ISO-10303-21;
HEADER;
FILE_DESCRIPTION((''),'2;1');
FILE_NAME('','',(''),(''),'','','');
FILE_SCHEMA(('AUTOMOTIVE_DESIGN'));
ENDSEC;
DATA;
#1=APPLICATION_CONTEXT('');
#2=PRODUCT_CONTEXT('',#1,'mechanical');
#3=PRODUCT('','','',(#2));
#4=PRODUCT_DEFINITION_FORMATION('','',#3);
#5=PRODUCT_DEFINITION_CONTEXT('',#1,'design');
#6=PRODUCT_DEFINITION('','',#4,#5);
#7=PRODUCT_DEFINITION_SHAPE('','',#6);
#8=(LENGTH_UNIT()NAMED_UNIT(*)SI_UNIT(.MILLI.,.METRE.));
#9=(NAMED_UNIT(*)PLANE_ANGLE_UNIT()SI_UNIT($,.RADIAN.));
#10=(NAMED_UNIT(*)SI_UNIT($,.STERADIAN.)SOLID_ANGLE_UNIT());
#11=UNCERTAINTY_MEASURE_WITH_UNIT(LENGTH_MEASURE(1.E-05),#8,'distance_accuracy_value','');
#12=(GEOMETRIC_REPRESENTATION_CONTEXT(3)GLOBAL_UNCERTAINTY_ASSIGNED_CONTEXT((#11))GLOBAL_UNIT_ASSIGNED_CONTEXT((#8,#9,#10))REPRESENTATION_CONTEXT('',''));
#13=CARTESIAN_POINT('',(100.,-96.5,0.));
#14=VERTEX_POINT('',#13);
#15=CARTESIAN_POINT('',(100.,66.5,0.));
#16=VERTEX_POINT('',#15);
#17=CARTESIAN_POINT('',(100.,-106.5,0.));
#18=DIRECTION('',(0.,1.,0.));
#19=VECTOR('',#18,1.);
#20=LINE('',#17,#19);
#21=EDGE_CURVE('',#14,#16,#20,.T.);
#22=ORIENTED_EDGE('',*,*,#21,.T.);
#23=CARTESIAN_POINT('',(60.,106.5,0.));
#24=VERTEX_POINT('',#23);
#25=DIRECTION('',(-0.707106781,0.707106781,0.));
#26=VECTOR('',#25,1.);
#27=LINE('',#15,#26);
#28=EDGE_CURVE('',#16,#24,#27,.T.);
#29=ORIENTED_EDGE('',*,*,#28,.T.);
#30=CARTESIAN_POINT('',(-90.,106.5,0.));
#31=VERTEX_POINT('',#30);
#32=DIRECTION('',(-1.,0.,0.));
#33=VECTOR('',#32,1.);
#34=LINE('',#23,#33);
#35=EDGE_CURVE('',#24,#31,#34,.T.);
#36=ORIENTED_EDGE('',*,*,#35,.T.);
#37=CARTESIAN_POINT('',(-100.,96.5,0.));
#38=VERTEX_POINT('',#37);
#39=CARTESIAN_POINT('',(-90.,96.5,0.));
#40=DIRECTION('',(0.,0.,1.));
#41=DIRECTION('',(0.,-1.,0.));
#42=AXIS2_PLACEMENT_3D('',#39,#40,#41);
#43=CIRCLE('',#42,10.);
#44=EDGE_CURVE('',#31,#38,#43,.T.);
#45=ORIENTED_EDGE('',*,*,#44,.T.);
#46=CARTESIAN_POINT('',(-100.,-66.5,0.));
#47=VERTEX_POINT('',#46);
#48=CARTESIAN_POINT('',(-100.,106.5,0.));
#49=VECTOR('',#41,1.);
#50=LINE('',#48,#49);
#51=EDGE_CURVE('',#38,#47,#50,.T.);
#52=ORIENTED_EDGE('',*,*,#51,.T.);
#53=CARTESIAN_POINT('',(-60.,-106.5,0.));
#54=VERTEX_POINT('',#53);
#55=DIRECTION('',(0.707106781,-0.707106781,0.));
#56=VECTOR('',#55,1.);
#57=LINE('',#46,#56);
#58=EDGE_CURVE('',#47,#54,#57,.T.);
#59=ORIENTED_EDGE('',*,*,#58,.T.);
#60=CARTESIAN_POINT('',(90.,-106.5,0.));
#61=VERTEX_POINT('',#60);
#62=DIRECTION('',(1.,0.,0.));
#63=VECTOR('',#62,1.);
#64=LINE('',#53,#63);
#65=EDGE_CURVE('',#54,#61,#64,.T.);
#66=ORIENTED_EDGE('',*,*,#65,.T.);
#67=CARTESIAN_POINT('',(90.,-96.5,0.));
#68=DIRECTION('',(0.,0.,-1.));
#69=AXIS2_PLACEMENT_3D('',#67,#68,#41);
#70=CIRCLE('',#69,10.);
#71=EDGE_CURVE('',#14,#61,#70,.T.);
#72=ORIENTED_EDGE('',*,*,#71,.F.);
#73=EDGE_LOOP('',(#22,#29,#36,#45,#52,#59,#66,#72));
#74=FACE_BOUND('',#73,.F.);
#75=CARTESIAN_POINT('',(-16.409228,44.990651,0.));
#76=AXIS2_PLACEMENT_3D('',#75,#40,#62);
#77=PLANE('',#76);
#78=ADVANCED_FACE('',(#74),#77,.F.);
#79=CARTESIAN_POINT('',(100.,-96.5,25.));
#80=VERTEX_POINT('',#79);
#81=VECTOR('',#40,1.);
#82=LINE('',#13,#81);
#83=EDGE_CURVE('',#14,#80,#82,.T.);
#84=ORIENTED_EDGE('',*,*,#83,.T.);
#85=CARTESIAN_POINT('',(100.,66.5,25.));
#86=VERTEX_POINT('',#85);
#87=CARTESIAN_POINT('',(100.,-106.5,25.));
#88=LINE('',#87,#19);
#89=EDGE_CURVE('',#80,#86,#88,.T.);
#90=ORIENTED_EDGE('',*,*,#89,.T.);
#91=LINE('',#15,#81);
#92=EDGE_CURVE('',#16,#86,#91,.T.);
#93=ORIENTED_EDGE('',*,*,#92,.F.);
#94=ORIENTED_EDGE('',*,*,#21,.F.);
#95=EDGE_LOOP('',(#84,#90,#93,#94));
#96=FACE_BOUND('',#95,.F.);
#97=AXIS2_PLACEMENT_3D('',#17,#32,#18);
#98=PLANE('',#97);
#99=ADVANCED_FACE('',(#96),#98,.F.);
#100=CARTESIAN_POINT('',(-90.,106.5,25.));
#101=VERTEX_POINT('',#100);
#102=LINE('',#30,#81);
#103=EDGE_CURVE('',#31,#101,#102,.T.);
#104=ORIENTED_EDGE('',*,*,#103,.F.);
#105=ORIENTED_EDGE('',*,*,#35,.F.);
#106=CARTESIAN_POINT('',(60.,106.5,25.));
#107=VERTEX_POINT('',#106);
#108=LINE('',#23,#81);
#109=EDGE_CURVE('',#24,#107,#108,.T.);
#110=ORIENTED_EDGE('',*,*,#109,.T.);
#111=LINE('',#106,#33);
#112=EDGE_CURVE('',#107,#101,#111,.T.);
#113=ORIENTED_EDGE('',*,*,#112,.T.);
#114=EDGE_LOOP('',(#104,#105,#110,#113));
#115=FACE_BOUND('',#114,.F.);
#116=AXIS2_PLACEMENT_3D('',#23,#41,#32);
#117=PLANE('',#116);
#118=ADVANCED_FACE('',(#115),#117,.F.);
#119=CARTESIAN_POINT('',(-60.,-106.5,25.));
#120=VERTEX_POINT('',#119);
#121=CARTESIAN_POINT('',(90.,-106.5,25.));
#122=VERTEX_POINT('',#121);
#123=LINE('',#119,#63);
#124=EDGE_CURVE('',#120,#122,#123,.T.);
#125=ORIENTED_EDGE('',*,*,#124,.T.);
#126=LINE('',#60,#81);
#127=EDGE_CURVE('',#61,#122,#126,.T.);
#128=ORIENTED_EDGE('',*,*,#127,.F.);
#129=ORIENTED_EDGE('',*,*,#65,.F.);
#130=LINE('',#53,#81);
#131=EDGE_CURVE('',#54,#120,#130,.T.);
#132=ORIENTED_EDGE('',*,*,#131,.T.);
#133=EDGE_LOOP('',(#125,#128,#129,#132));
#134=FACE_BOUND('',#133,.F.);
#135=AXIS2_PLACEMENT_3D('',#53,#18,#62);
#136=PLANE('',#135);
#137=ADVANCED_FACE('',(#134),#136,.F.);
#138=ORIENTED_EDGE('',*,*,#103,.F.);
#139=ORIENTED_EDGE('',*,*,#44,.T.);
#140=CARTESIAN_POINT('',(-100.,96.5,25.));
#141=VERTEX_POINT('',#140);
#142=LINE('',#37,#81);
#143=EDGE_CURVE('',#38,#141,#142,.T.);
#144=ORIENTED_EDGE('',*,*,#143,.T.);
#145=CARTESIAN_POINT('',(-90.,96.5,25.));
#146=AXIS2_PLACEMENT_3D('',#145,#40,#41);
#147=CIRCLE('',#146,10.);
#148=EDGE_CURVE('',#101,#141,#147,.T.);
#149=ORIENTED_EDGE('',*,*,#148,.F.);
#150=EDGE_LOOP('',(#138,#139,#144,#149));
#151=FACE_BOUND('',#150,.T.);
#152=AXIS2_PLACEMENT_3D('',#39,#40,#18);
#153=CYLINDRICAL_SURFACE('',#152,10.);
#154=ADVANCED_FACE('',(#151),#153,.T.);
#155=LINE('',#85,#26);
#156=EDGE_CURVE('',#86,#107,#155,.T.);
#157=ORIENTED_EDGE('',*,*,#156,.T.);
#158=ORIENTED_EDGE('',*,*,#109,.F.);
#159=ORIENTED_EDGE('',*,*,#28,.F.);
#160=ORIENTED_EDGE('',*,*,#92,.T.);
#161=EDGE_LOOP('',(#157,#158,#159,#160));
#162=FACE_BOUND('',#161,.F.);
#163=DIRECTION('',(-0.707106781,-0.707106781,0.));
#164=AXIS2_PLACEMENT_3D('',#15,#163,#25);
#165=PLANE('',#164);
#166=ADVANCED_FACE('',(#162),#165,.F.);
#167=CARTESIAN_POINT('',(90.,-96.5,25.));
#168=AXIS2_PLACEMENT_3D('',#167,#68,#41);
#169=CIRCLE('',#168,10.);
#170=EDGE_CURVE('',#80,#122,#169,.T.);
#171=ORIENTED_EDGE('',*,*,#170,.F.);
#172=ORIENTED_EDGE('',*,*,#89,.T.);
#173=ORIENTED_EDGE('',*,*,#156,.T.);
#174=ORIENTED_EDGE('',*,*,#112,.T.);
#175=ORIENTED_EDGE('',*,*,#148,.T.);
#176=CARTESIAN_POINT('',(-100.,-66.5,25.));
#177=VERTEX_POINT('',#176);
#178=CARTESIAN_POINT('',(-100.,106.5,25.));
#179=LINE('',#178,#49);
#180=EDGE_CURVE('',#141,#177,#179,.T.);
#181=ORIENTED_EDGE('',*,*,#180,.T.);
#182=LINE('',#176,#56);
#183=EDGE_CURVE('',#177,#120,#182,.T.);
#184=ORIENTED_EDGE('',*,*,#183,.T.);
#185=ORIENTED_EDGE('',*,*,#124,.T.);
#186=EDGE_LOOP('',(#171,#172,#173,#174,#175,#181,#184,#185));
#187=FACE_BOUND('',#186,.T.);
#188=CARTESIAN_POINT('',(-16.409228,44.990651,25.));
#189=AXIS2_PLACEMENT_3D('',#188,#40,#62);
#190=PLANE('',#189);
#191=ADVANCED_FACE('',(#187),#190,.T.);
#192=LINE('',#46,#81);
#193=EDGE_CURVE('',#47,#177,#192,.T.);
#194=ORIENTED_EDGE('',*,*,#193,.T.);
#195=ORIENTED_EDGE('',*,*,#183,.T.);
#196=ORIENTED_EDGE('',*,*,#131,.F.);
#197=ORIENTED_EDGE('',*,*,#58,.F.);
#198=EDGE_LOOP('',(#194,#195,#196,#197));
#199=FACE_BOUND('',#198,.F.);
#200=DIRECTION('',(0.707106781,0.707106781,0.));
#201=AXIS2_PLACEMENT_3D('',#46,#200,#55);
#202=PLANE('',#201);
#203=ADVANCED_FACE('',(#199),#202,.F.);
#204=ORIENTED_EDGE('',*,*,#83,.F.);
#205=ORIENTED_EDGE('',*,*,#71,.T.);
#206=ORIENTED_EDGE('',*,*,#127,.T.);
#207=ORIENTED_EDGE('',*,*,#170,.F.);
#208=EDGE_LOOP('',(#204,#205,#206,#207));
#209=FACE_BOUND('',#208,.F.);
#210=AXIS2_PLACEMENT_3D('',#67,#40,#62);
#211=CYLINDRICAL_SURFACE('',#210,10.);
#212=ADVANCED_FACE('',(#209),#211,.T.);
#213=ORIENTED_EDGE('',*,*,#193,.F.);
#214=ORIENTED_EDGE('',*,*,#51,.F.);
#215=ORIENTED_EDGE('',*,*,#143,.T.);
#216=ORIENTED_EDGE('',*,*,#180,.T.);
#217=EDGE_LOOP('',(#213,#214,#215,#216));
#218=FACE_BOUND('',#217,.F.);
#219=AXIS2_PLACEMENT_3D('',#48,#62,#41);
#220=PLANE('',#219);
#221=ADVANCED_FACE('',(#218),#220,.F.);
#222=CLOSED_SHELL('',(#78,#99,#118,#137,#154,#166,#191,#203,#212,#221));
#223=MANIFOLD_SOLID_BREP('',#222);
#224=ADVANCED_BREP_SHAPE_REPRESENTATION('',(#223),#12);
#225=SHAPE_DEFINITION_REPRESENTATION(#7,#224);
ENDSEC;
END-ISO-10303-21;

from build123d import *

# Parameters (mm, degrees)
F0_W     = 69
F0_H     = 69
F1_DEPTH = 25
F2_R     = 10
F3_R     = 10


with BuildPart() as f1:
    # F0 (on Top) → F1 (new body)
    with BuildSketch(Plane.XY):
        with BuildLine():
            Line((100, 66.5), (60, 106.5))
            Line((60, 106.5), (-100, 106.5))
            Line((-100, 106.5), (-100, -40.097934))
            ThreePointArc((-100, -40.097934), (-72.843769, -42.046339), (-46, -37.5))
            ThreePointArc((-46, -37.5), (2.288213, -8.788213), (31, 39.5))
            Line((31, 39.5), (100, 39.5))
            Line((100, 39.5), (100, 63.5))
            Line((100, 63.5), (100, 66.5))
        make_face()
        with BuildLine():
            ThreePointArc((31, 39.5), (2.288213, -8.788213), (-46, -37.5))
            Line((-46, -37.5), (-46, -106.5))
            Line((-46, -106.5), (31, -106.5))
            Line((31, -106.5), (31, -37.5))
            Line((31, -37.5), (100, -37.5))
            Line((100, -37.5), (100, 39.5))
            Line((100, 39.5), (31, 39.5))
        make_face()
        with BuildLine():
            ThreePointArc((-46, -37.5), (-72.843769, -42.046339), (-100, -40.097934))
            Line((-100, -40.097934), (-100, -66.5))
            Line((-100, -66.5), (-60, -106.5))
            Line((-60, -106.5), (-46, -106.5))
            Line((-46, -106.5), (-46, -37.5))
        make_face()
        with Locations((65.5, -72)):
            Rectangle(F0_W, F0_H)
    extrude(amount=F1_DEPTH)

    # F2
    f2_edges = [f1.edges().sort_by_distance(p)[0] for p in [
        (-100, 106.5, 12.5),
    ]]
    fillet(f2_edges, radius=F2_R)

    # F3
    f3_edges = [f1.edges().sort_by_distance(p)[0] for p in [
        (100, -106.5, 12.5),
    ]]
    fillet(f3_edges, radius=F3_R)


solid = f1.part
